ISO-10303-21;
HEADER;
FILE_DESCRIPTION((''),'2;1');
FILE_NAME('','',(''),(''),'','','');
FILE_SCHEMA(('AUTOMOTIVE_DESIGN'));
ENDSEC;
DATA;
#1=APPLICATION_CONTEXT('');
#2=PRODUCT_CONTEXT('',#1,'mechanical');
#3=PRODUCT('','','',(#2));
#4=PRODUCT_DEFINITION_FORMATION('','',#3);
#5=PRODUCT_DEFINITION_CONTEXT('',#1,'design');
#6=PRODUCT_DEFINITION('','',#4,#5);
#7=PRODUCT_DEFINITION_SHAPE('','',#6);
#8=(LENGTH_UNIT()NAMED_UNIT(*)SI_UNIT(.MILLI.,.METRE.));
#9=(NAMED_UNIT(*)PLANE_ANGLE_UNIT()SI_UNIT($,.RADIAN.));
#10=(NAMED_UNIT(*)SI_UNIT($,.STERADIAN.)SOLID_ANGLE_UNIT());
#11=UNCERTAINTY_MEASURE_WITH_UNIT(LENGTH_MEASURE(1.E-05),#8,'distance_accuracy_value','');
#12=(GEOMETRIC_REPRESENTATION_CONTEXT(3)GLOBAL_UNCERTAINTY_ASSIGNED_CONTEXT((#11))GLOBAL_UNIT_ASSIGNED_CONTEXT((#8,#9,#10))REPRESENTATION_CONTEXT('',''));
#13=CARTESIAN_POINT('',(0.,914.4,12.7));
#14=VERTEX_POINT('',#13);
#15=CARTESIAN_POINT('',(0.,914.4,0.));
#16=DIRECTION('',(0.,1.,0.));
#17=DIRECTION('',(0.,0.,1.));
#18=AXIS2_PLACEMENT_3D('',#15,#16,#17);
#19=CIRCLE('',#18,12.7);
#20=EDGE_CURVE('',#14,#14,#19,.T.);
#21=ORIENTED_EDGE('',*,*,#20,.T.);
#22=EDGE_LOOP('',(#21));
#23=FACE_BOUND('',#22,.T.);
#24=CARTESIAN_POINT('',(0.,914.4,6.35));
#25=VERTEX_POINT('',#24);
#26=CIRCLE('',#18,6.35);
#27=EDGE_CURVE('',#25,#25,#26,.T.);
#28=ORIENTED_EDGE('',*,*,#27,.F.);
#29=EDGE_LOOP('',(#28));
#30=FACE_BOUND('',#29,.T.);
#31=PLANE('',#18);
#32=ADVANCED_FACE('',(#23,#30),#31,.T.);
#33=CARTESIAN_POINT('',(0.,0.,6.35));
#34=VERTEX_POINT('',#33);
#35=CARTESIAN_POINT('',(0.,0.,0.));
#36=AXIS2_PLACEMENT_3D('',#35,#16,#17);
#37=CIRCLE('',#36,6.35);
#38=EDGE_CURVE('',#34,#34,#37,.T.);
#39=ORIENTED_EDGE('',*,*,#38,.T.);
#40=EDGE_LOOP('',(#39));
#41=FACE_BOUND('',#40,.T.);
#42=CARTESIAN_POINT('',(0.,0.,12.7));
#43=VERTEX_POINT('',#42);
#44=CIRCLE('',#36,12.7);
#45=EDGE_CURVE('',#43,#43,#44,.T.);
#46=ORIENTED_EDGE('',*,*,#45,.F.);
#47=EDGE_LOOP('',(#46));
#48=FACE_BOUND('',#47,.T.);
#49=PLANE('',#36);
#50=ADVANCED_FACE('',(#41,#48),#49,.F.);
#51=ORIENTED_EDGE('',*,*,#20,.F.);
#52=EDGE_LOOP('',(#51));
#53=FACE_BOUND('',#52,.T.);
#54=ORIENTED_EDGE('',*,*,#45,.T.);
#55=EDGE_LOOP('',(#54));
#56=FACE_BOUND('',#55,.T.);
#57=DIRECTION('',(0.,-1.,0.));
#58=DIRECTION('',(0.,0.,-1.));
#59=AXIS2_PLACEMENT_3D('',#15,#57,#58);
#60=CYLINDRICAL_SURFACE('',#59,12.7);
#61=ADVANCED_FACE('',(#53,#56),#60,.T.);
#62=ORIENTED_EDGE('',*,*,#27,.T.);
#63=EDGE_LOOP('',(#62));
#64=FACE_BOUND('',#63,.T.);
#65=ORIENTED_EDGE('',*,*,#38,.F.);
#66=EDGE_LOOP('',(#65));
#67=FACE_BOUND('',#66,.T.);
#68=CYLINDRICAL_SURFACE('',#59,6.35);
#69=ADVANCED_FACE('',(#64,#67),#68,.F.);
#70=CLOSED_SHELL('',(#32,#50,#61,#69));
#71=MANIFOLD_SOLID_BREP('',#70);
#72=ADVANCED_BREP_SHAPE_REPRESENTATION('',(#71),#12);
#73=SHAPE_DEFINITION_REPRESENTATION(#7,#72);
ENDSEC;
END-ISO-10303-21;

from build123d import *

# Parameters (mm, degrees)
SKETCH1_R           = 12.7
SKETCH1_R_2         = 6.35
BOSS_EXTRUDE1_DEPTH = 914.4


with BuildPart() as part:
    # Sketch1 → Boss-Extrude1 (new body)
    with BuildSketch(Plane(origin=(0, 0, 0), x_dir=(1, 0, 0), z_dir=(0, 1, 0))):
        with Locations(Location((0, 0, 0), (0, 0, 270))):
            Circle(SKETCH1_R)
        with Locations(Location((0, 0, 0), (0, 0, 270))):
            Circle(SKETCH1_R_2, mode=Mode.SUBTRACT)
    extrude(amount=BOSS_EXTRUDE1_DEPTH)


solid = part.part
